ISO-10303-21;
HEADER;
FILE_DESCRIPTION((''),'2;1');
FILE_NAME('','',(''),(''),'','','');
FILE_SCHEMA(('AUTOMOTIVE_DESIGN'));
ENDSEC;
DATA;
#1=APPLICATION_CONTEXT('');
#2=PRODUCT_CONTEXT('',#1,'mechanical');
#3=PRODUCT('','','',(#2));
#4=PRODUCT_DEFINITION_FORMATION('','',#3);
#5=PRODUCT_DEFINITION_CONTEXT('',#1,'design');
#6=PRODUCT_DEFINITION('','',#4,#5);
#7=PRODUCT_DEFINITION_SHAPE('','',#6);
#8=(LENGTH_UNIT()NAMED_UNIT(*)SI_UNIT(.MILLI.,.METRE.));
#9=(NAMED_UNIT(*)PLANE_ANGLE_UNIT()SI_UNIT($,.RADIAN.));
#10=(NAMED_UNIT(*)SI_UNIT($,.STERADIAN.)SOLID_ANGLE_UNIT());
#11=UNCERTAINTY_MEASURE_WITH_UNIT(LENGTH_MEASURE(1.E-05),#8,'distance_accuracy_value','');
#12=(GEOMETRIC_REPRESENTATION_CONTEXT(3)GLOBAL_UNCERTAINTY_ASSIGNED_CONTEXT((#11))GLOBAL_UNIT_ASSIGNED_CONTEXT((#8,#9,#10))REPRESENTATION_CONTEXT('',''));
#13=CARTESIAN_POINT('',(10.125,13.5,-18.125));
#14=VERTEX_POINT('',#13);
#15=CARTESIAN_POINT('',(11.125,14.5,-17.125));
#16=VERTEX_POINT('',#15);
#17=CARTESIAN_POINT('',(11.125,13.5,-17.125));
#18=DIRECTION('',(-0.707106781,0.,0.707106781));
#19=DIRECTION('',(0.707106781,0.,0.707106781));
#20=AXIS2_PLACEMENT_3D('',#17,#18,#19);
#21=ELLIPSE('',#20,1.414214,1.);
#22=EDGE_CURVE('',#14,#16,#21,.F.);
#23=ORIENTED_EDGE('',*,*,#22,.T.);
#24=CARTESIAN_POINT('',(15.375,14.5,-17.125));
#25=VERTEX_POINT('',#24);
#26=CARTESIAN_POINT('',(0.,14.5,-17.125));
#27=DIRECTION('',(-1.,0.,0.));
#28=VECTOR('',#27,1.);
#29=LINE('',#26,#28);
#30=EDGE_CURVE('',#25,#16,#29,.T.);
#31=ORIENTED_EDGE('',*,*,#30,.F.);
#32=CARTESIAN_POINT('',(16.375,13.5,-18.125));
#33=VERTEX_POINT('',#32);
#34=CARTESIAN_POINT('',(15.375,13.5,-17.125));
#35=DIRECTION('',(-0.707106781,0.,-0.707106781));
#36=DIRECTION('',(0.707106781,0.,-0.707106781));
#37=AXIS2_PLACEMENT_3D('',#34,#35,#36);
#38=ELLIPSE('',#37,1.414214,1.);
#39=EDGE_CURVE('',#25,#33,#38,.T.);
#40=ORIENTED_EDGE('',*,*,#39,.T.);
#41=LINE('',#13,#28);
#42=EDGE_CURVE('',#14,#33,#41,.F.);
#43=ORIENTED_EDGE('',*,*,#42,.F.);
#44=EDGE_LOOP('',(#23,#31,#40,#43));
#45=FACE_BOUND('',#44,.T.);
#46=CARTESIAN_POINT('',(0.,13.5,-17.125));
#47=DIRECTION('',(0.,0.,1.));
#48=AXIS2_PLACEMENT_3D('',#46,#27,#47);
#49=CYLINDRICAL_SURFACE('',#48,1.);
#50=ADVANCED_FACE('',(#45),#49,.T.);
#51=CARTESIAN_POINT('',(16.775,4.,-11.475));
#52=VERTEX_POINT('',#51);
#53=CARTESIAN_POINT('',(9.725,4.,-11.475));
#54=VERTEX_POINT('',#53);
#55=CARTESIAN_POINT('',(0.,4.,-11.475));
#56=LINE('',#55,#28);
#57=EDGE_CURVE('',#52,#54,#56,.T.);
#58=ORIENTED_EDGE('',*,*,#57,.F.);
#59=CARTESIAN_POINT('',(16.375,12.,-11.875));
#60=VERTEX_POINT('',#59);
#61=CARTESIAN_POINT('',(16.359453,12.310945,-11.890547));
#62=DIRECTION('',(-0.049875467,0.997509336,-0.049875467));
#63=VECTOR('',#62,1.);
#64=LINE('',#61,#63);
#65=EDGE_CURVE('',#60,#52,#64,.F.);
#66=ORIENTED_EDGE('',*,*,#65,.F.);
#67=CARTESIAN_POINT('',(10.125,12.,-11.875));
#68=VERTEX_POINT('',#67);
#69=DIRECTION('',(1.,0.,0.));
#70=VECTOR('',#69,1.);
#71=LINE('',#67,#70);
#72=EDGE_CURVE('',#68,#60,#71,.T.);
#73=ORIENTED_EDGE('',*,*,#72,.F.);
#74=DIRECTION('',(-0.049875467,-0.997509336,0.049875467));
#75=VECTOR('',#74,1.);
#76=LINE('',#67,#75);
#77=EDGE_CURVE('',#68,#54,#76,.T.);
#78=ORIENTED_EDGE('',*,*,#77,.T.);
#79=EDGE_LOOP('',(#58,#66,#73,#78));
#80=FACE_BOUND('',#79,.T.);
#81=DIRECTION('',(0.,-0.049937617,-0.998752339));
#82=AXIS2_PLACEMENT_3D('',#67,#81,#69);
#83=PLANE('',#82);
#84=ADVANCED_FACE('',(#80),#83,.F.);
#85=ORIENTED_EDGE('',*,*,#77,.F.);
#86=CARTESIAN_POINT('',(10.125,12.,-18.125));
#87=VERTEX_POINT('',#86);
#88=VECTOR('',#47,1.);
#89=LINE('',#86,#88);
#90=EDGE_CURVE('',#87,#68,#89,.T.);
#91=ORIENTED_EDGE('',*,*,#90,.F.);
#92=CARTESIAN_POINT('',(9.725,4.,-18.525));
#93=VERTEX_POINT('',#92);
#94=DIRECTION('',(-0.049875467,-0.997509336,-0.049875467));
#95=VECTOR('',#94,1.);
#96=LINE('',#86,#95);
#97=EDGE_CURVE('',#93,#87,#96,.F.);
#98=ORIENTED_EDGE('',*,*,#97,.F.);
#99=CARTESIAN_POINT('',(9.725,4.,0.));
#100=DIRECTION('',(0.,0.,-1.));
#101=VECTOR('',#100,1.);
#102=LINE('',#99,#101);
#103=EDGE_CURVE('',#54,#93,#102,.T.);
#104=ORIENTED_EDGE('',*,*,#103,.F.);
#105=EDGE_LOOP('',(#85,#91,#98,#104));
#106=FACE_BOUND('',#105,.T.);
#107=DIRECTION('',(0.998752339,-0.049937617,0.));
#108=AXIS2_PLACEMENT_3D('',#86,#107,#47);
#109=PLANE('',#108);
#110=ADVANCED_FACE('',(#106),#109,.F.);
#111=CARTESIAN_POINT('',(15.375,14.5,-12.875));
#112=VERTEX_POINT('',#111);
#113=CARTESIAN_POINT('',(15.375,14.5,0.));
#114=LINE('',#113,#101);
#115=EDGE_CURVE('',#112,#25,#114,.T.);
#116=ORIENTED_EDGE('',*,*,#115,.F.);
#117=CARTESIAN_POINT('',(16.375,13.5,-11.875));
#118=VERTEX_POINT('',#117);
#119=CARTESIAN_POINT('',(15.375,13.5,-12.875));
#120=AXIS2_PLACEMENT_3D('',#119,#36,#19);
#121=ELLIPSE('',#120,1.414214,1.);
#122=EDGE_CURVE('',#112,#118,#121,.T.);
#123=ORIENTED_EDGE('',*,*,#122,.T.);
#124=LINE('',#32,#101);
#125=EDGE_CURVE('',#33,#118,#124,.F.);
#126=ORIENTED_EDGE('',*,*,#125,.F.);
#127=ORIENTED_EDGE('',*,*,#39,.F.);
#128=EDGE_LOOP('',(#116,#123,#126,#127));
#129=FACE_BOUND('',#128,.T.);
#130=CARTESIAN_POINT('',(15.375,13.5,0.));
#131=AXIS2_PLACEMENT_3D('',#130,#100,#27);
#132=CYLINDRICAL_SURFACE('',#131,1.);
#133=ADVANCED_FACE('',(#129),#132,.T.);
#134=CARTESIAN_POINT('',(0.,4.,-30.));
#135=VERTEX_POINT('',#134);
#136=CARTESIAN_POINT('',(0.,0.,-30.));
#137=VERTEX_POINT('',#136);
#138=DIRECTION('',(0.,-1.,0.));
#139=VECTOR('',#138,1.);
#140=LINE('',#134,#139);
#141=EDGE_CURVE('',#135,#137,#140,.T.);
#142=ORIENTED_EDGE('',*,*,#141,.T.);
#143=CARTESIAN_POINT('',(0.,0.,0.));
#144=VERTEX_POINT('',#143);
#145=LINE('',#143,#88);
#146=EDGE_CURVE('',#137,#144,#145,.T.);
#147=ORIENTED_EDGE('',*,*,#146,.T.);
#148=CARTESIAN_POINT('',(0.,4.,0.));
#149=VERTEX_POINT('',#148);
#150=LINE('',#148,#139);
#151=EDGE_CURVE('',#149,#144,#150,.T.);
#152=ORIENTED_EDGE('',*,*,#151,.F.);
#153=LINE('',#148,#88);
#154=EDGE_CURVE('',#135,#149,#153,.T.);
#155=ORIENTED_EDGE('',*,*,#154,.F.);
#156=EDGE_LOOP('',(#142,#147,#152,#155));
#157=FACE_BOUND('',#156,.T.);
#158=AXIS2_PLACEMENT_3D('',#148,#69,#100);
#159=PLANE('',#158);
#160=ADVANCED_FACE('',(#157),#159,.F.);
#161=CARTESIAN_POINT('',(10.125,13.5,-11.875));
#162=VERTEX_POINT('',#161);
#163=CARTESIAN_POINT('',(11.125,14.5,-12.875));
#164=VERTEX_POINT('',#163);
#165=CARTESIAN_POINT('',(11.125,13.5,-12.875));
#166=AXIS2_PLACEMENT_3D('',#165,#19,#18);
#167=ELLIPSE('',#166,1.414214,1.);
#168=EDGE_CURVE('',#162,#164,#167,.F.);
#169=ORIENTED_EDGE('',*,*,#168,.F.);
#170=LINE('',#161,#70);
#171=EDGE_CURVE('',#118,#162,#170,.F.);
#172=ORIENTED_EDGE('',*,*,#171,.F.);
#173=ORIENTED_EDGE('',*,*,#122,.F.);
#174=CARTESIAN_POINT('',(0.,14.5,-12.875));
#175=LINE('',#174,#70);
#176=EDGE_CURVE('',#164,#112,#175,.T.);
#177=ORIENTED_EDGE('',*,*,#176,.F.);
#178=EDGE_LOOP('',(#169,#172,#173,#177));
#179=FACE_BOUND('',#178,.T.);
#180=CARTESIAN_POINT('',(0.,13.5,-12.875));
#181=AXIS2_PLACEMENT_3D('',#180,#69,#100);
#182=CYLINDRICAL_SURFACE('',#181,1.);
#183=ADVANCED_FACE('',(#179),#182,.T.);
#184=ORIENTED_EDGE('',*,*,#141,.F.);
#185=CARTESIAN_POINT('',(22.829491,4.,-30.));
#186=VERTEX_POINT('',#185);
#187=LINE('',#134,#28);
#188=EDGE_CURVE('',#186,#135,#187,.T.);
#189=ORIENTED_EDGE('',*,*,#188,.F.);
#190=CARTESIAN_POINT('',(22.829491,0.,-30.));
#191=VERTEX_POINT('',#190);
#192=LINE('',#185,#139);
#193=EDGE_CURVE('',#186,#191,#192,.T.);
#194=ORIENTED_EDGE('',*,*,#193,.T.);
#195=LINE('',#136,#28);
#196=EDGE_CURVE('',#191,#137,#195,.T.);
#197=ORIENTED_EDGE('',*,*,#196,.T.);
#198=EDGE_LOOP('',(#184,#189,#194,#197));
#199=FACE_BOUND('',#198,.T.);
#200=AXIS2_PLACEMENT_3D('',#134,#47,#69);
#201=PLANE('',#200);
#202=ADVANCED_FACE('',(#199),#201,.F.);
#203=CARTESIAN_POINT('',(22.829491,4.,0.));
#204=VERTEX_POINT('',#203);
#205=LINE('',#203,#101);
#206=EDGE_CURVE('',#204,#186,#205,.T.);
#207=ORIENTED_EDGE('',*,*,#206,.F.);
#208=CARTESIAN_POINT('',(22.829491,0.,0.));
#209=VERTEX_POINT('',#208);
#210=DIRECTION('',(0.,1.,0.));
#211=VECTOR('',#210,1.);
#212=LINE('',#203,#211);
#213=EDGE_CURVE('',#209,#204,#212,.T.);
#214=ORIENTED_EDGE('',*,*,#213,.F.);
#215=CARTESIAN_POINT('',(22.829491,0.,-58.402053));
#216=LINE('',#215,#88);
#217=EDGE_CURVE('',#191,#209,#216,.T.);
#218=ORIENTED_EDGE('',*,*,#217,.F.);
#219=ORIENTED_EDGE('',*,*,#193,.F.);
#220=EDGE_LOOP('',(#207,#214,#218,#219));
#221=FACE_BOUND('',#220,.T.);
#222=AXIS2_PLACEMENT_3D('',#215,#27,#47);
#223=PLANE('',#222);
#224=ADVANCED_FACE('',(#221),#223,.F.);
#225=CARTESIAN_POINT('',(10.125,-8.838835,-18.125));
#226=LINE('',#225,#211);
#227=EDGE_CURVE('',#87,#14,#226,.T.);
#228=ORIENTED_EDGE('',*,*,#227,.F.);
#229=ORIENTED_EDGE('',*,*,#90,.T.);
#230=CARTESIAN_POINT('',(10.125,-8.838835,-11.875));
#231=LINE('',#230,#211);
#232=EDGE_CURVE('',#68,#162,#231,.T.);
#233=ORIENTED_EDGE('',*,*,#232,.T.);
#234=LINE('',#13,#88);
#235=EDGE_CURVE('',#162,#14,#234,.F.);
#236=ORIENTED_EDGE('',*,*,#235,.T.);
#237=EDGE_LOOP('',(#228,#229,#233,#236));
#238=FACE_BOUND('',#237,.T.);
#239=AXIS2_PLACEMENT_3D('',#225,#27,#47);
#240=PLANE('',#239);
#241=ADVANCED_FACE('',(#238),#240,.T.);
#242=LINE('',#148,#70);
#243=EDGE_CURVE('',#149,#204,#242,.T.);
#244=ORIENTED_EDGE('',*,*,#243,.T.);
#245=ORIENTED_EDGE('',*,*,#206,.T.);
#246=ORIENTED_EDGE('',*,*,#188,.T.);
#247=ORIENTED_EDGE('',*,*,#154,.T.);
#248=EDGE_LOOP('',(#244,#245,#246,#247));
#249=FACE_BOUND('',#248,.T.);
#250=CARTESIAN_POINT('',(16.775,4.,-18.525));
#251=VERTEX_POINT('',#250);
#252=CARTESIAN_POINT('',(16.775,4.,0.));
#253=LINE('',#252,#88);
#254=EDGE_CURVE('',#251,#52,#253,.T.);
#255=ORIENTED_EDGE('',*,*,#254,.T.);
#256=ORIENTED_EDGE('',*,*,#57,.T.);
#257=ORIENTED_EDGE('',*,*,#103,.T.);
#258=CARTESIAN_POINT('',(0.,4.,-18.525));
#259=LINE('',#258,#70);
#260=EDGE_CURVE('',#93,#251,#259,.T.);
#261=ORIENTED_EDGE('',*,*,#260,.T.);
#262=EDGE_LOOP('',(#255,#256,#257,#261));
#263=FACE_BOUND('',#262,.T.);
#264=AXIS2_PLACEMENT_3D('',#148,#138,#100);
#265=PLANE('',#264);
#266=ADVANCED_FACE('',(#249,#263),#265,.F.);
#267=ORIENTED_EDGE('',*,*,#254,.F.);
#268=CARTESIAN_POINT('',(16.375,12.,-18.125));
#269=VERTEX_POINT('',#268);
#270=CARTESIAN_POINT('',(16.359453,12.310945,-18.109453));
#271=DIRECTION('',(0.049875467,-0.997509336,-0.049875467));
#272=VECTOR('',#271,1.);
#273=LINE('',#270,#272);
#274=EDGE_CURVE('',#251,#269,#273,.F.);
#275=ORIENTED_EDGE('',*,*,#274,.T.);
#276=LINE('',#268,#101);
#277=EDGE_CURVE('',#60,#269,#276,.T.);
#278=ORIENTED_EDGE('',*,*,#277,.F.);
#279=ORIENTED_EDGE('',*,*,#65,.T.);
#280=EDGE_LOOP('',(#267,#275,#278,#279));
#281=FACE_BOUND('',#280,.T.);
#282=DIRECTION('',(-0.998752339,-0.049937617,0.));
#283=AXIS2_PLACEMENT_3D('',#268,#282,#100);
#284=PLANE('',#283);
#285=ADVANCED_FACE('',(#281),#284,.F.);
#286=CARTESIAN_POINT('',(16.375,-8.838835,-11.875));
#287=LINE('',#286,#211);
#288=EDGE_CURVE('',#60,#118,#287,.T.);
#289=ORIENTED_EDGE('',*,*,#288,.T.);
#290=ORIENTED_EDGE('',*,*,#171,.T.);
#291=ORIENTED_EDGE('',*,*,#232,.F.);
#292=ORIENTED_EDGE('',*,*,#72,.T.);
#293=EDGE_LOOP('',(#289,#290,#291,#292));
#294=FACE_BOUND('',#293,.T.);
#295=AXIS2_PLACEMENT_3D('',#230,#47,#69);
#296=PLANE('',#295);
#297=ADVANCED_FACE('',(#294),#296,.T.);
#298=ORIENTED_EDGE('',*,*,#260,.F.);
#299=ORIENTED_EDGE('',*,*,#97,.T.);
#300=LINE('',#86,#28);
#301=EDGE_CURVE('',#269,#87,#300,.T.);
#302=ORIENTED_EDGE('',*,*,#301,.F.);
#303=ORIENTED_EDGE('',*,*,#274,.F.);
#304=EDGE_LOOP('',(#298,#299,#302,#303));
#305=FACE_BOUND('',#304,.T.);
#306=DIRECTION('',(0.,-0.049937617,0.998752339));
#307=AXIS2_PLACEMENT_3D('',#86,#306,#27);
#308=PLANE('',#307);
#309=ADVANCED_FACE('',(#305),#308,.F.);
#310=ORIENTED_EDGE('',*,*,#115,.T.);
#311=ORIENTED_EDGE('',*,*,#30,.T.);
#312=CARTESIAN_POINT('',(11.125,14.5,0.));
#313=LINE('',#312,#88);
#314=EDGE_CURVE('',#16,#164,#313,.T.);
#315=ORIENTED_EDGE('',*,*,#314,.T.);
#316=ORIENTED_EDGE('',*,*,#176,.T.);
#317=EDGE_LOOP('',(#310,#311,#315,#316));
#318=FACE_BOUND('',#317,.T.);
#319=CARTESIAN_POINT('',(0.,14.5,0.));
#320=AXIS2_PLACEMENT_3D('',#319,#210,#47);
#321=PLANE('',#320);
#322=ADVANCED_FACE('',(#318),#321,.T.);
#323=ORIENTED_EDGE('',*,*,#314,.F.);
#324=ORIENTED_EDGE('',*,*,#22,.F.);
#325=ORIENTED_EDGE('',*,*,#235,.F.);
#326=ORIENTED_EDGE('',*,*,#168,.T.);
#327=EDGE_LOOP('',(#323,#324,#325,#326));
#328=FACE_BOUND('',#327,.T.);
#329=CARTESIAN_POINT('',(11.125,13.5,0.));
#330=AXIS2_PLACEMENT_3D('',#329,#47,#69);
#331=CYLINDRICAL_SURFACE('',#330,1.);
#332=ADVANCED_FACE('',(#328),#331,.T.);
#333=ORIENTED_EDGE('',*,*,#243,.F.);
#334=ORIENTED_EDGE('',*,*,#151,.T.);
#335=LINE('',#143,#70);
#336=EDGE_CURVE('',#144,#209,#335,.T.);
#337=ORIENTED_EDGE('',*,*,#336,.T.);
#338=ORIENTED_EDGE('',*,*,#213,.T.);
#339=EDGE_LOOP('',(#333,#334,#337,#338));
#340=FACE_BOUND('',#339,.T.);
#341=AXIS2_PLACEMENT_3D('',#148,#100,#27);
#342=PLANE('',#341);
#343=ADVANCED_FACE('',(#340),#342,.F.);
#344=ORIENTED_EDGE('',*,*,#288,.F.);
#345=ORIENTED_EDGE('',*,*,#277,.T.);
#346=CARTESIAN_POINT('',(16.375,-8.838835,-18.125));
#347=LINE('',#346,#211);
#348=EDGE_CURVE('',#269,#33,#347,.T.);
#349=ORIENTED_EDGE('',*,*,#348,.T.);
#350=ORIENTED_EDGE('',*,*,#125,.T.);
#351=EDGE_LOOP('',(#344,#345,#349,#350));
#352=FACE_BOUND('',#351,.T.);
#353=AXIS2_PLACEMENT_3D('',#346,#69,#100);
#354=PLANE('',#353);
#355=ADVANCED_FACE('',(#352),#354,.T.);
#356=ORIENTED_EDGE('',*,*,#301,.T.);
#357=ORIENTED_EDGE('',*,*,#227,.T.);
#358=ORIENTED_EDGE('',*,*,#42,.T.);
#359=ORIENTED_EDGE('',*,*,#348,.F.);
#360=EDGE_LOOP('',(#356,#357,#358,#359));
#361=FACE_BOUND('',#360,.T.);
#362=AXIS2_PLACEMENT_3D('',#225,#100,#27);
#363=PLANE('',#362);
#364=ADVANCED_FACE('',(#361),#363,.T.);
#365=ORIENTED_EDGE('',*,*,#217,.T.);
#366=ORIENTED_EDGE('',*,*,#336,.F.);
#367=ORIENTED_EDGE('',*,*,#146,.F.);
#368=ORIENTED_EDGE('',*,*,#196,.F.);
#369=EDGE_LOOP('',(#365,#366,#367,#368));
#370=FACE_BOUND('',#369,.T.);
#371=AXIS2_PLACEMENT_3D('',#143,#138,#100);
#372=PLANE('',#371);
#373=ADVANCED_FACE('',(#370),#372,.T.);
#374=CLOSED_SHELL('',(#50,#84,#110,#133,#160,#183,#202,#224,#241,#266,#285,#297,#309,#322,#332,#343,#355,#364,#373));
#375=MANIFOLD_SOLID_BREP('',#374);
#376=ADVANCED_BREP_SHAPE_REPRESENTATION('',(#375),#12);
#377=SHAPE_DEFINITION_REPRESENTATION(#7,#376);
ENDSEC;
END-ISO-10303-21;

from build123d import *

# Parameters (mm, degrees)
SKETCH1_W                = 240
SKETCH1_H                = 30
SKETCH1_W_2              = 6.25
SKETCH1_H_2              = 6.25
BOSS_EXTRUDE1_DEPTH      = 4
SKETCH2_W                = 6.25
SKETCH2_H                = 6.25
BOSS_EXTRUDE2_DEPTH      = 10.5
BOSS_EXTRUDE2_DEPTH_BACK = 4
SKETCH3_W                = 222.243091979
SKETCH3_H                = 95.437848018
CUT_EXTRUDE1_DEPTH       = 11.5
CUT_EXTRUDE1_DEPTH_BACK  = 5
FILLET1_R                = 1
CHAMFER1_SIZE            = 0.4
CHAMFER1_SIZE2           = 8


with BuildPart() as part:
    # Sketch1 → Boss-Extrude1 (new body)
    with BuildSketch(Plane(origin=(0, 0, 0), x_dir=(1, 0, 0), z_dir=(0, 1, 0))):
        with Locations((120, 15)):
            Rectangle(SKETCH1_W, SKETCH1_H)
        with Locations((13.25, 15)):
            Rectangle(SKETCH1_W_2, SKETCH1_H_2, mode=Mode.SUBTRACT)
        with Locations((43.75, 15)):
            Rectangle(SKETCH1_W_2, SKETCH1_H_2, mode=Mode.SUBTRACT)
        with Locations((74.25, 15)):
            Rectangle(SKETCH1_W_2, SKETCH1_H_2, mode=Mode.SUBTRACT)
        with Locations((104.75, 15)):
            Rectangle(SKETCH1_W_2, SKETCH1_H_2, mode=Mode.SUBTRACT)
        with Locations((135.25, 15)):
            Rectangle(SKETCH1_W_2, SKETCH1_H_2, mode=Mode.SUBTRACT)
        with Locations((165.75, 15)):
            Rectangle(SKETCH1_W_2, SKETCH1_H_2, mode=Mode.SUBTRACT)
        with Locations((196.25, 15)):
            Rectangle(SKETCH1_W_2, SKETCH1_H_2, mode=Mode.SUBTRACT)
        with Locations((226.75, 15)):
            Rectangle(SKETCH1_W_2, SKETCH1_H_2, mode=Mode.SUBTRACT)
    extrude(amount=BOSS_EXTRUDE1_DEPTH)

    # Sketch2 → Boss-Extrude2 (add, two sides)
    with BuildSketch(Plane(origin=(0, 4, 0), x_dir=(1, 0, 0), z_dir=(0, 1, 0))) as boss_extrude2_sk:
        with Locations((13.25, 15)):
            Rectangle(SKETCH2_W, SKETCH2_H)
        with Locations((43.75, 15)):
            Rectangle(SKETCH2_W, SKETCH2_H)
        with Locations((74.25, 15)):
            Rectangle(SKETCH2_W, SKETCH2_H)
        with Locations((104.75, 15)):
            Rectangle(SKETCH2_W, SKETCH2_H)
        with Locations((135.25, 15)):
            Rectangle(SKETCH2_W, SKETCH2_H)
        with Locations((165.75, 15)):
            Rectangle(SKETCH2_W, SKETCH2_H)
        with Locations((196.25, 15)):
            Rectangle(SKETCH2_W, SKETCH2_H)
        with Locations((226.75, 15)):
            Rectangle(SKETCH2_W, SKETCH2_H)
    extrude(amount=BOSS_EXTRUDE2_DEPTH)
    extrude(boss_extrude2_sk.sketch, amount=-BOSS_EXTRUDE2_DEPTH_BACK)

    # Sketch3 → Cut-Extrude1 (cut, two sides)
    with BuildSketch(Plane(origin=(0, 4, 0), x_dir=(1, 0, 0), z_dir=(0, 1, 0))) as cut_extrude1_sk:
        with Locations((133.951037232, 10.683129124)):
            Rectangle(SKETCH3_W, SKETCH3_H)
    extrude(amount=CUT_EXTRUDE1_DEPTH, mode=Mode.SUBTRACT)
    extrude(cut_extrude1_sk.sketch, amount=-CUT_EXTRUDE1_DEPTH_BACK, mode=Mode.SUBTRACT)

    # Fillet1
    fillet1_edges = [part.edges().sort_by_distance(p)[0] for p in [
        (10.125, 14.5, -15),
        (13.25, 14.5, -11.875),
        (16.375, 14.5, -15),
        (13.25, 14.5, -18.125),
    ]]
    fillet(fillet1_edges, radius=FILLET1_R)

    # Chamfer1
    chamfer1_edges = [part.edges().sort_by_distance(p)[0] for p in [
        (10.125, 4, -15),
        (13.25, 4, -11.875),
        (16.375, 4, -15),
        (13.25, 4, -18.125),
    ]]
    chamfer1_side = [part.faces().sort_by_distance(p)[0] for p in [
        (0.376986163, 4, -15),
    ]]
    chamfer(chamfer1_edges, length=CHAMFER1_SIZE, length2=CHAMFER1_SIZE2, reference=chamfer1_side[0])


solid = part.part
